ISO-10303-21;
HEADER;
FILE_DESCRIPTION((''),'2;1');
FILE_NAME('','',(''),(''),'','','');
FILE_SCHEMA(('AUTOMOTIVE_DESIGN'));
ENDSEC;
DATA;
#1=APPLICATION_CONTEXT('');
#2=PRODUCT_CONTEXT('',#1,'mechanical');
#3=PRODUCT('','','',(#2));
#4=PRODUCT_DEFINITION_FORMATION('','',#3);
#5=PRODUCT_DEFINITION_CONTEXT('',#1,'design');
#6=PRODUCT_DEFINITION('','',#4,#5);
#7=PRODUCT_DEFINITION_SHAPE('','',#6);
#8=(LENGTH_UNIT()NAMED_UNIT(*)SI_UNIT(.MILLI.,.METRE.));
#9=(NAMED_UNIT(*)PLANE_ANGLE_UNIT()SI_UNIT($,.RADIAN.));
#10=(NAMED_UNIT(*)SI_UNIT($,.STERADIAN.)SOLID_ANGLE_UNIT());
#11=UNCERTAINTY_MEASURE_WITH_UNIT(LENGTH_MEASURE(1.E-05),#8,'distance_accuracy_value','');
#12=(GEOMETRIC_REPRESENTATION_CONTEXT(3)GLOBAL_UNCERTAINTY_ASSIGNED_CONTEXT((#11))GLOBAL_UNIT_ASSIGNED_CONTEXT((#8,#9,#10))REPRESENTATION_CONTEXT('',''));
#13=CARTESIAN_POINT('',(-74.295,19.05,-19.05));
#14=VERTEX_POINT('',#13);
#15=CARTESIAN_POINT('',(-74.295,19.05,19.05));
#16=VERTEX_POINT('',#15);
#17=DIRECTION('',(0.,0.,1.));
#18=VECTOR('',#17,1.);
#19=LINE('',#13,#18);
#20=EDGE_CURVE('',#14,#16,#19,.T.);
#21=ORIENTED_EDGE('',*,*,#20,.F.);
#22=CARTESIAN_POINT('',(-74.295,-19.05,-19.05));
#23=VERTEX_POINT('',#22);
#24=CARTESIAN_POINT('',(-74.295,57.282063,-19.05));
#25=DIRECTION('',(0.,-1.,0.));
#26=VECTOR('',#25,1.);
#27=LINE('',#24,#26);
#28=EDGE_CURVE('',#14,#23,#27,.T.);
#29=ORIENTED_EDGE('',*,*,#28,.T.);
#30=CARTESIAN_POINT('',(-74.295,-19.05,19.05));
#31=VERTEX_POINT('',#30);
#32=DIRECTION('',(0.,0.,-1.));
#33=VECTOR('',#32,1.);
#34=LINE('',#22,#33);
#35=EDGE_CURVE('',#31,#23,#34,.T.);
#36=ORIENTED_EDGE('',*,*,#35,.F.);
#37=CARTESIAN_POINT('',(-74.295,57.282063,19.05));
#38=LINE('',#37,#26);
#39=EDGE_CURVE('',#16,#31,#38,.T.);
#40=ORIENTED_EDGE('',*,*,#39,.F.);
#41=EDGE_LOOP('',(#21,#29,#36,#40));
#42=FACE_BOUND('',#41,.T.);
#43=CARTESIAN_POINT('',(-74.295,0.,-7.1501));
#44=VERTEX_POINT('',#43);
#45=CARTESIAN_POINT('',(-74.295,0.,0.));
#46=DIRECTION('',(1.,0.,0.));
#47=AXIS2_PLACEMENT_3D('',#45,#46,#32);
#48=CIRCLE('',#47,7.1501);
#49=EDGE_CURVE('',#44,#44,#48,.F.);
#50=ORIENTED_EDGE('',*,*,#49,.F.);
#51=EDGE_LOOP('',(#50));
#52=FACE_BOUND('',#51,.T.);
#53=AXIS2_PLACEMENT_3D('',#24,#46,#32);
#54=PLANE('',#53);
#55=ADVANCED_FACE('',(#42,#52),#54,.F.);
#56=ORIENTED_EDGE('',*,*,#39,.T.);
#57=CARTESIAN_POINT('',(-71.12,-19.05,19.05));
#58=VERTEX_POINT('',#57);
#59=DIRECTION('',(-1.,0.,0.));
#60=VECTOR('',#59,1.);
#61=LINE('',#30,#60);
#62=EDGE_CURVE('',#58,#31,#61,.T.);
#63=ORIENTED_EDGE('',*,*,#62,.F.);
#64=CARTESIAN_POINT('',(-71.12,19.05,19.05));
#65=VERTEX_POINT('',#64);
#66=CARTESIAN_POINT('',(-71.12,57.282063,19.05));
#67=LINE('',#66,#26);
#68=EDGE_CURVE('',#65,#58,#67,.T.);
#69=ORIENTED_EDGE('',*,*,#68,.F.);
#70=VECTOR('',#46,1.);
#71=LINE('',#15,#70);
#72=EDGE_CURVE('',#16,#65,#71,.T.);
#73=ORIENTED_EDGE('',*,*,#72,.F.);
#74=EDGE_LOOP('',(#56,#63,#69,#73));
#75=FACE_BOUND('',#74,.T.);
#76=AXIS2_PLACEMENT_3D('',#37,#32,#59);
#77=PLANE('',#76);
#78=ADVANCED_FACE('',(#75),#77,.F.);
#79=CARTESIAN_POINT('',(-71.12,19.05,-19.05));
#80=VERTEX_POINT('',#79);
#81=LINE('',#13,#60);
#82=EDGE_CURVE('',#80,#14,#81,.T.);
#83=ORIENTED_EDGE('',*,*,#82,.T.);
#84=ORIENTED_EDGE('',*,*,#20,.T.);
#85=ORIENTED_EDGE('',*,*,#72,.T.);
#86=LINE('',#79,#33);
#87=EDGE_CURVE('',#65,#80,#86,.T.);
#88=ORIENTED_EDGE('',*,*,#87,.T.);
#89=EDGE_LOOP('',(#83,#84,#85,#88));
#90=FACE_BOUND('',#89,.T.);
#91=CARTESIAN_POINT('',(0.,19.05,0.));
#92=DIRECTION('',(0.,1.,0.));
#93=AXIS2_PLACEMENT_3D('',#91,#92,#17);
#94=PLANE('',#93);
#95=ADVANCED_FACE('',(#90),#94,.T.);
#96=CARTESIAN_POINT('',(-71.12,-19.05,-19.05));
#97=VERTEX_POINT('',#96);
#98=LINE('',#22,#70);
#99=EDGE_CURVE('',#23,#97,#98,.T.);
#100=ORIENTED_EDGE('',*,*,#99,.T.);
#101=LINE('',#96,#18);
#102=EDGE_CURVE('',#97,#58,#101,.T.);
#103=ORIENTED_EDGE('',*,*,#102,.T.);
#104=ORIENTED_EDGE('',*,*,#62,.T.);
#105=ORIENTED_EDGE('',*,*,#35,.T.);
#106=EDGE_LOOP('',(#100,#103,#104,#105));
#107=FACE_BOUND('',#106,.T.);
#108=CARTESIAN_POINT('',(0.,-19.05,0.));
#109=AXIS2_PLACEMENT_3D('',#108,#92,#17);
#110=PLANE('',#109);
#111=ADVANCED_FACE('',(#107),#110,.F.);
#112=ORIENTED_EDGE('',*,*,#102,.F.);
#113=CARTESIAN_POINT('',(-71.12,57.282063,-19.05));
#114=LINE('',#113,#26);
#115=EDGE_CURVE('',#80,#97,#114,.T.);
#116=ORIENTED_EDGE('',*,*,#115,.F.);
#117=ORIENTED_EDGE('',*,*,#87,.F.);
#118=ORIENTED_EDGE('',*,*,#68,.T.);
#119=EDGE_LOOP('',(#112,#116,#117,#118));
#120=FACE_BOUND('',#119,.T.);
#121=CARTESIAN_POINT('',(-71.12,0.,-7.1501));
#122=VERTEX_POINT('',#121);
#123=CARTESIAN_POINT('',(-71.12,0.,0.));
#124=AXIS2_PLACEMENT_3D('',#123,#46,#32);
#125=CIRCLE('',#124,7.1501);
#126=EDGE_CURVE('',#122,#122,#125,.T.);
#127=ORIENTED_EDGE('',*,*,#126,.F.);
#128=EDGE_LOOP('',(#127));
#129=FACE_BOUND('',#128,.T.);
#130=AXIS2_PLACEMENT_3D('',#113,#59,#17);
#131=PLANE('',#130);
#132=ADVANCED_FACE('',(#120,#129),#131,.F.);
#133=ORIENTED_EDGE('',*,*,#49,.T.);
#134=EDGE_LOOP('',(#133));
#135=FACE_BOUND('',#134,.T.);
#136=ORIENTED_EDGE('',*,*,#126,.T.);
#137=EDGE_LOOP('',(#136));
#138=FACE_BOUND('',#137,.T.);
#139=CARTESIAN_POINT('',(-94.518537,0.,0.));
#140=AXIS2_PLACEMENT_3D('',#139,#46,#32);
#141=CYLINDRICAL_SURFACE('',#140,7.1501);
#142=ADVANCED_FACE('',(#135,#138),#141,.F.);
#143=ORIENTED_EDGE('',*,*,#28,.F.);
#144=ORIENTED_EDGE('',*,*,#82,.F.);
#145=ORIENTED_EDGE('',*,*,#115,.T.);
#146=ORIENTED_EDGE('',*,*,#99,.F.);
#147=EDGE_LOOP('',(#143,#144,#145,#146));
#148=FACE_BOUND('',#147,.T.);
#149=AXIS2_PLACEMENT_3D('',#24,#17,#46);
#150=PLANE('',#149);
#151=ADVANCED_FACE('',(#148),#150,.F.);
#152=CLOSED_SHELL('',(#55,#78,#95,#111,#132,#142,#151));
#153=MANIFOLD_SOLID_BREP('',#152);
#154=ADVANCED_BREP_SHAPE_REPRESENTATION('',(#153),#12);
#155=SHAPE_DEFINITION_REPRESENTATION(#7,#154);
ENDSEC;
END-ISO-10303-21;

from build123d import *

# Parameters (mm, degrees)
SKETCH3_W                   = 3.175
SKETCH3_H                   = 38.1
APERTURE_PLATE_F_DEPTH      = 19.05
APERTURE_PLATE_F_DEPTH_BACK = 19.05
APERTURE_F_REACH            = 5.175
SKETCH6_R                   = 7.1501


with BuildPart() as part:
    # Sketch3 → APERTURE_PLATE_F (new body, two sides)
    with BuildSketch(Plane(origin=(0, 0, 0), x_dir=(1, 0, 0), z_dir=(0, 1, 0))) as aperture_plate_f_sk:
        with Locations((-72.7075, 0)):
            Rectangle(SKETCH3_W, SKETCH3_H)
    extrude(amount=APERTURE_PLATE_F_DEPTH)
    extrude(aperture_plate_f_sk.sketch, amount=-APERTURE_PLATE_F_DEPTH_BACK)

    # Sketch6 → APERTURE_F (cut, up to next)
    with BuildSketch(Plane(origin=(-71.12, 0, 0), x_dir=(0, 0, -1), z_dir=(1, 0, 0)), mode=Mode.PRIVATE) as aperture_f_sk1:
        Circle(SKETCH6_R)
    aperture_f_tool1 = extrude(aperture_f_sk1.sketch, amount=-APERTURE_F_REACH, mode=Mode.PRIVATE) & part.part
    add(aperture_f_tool1.solids().sort_by_distance((-71.12, 0, 0))[0], mode=Mode.SUBTRACT)


solid = part.part
